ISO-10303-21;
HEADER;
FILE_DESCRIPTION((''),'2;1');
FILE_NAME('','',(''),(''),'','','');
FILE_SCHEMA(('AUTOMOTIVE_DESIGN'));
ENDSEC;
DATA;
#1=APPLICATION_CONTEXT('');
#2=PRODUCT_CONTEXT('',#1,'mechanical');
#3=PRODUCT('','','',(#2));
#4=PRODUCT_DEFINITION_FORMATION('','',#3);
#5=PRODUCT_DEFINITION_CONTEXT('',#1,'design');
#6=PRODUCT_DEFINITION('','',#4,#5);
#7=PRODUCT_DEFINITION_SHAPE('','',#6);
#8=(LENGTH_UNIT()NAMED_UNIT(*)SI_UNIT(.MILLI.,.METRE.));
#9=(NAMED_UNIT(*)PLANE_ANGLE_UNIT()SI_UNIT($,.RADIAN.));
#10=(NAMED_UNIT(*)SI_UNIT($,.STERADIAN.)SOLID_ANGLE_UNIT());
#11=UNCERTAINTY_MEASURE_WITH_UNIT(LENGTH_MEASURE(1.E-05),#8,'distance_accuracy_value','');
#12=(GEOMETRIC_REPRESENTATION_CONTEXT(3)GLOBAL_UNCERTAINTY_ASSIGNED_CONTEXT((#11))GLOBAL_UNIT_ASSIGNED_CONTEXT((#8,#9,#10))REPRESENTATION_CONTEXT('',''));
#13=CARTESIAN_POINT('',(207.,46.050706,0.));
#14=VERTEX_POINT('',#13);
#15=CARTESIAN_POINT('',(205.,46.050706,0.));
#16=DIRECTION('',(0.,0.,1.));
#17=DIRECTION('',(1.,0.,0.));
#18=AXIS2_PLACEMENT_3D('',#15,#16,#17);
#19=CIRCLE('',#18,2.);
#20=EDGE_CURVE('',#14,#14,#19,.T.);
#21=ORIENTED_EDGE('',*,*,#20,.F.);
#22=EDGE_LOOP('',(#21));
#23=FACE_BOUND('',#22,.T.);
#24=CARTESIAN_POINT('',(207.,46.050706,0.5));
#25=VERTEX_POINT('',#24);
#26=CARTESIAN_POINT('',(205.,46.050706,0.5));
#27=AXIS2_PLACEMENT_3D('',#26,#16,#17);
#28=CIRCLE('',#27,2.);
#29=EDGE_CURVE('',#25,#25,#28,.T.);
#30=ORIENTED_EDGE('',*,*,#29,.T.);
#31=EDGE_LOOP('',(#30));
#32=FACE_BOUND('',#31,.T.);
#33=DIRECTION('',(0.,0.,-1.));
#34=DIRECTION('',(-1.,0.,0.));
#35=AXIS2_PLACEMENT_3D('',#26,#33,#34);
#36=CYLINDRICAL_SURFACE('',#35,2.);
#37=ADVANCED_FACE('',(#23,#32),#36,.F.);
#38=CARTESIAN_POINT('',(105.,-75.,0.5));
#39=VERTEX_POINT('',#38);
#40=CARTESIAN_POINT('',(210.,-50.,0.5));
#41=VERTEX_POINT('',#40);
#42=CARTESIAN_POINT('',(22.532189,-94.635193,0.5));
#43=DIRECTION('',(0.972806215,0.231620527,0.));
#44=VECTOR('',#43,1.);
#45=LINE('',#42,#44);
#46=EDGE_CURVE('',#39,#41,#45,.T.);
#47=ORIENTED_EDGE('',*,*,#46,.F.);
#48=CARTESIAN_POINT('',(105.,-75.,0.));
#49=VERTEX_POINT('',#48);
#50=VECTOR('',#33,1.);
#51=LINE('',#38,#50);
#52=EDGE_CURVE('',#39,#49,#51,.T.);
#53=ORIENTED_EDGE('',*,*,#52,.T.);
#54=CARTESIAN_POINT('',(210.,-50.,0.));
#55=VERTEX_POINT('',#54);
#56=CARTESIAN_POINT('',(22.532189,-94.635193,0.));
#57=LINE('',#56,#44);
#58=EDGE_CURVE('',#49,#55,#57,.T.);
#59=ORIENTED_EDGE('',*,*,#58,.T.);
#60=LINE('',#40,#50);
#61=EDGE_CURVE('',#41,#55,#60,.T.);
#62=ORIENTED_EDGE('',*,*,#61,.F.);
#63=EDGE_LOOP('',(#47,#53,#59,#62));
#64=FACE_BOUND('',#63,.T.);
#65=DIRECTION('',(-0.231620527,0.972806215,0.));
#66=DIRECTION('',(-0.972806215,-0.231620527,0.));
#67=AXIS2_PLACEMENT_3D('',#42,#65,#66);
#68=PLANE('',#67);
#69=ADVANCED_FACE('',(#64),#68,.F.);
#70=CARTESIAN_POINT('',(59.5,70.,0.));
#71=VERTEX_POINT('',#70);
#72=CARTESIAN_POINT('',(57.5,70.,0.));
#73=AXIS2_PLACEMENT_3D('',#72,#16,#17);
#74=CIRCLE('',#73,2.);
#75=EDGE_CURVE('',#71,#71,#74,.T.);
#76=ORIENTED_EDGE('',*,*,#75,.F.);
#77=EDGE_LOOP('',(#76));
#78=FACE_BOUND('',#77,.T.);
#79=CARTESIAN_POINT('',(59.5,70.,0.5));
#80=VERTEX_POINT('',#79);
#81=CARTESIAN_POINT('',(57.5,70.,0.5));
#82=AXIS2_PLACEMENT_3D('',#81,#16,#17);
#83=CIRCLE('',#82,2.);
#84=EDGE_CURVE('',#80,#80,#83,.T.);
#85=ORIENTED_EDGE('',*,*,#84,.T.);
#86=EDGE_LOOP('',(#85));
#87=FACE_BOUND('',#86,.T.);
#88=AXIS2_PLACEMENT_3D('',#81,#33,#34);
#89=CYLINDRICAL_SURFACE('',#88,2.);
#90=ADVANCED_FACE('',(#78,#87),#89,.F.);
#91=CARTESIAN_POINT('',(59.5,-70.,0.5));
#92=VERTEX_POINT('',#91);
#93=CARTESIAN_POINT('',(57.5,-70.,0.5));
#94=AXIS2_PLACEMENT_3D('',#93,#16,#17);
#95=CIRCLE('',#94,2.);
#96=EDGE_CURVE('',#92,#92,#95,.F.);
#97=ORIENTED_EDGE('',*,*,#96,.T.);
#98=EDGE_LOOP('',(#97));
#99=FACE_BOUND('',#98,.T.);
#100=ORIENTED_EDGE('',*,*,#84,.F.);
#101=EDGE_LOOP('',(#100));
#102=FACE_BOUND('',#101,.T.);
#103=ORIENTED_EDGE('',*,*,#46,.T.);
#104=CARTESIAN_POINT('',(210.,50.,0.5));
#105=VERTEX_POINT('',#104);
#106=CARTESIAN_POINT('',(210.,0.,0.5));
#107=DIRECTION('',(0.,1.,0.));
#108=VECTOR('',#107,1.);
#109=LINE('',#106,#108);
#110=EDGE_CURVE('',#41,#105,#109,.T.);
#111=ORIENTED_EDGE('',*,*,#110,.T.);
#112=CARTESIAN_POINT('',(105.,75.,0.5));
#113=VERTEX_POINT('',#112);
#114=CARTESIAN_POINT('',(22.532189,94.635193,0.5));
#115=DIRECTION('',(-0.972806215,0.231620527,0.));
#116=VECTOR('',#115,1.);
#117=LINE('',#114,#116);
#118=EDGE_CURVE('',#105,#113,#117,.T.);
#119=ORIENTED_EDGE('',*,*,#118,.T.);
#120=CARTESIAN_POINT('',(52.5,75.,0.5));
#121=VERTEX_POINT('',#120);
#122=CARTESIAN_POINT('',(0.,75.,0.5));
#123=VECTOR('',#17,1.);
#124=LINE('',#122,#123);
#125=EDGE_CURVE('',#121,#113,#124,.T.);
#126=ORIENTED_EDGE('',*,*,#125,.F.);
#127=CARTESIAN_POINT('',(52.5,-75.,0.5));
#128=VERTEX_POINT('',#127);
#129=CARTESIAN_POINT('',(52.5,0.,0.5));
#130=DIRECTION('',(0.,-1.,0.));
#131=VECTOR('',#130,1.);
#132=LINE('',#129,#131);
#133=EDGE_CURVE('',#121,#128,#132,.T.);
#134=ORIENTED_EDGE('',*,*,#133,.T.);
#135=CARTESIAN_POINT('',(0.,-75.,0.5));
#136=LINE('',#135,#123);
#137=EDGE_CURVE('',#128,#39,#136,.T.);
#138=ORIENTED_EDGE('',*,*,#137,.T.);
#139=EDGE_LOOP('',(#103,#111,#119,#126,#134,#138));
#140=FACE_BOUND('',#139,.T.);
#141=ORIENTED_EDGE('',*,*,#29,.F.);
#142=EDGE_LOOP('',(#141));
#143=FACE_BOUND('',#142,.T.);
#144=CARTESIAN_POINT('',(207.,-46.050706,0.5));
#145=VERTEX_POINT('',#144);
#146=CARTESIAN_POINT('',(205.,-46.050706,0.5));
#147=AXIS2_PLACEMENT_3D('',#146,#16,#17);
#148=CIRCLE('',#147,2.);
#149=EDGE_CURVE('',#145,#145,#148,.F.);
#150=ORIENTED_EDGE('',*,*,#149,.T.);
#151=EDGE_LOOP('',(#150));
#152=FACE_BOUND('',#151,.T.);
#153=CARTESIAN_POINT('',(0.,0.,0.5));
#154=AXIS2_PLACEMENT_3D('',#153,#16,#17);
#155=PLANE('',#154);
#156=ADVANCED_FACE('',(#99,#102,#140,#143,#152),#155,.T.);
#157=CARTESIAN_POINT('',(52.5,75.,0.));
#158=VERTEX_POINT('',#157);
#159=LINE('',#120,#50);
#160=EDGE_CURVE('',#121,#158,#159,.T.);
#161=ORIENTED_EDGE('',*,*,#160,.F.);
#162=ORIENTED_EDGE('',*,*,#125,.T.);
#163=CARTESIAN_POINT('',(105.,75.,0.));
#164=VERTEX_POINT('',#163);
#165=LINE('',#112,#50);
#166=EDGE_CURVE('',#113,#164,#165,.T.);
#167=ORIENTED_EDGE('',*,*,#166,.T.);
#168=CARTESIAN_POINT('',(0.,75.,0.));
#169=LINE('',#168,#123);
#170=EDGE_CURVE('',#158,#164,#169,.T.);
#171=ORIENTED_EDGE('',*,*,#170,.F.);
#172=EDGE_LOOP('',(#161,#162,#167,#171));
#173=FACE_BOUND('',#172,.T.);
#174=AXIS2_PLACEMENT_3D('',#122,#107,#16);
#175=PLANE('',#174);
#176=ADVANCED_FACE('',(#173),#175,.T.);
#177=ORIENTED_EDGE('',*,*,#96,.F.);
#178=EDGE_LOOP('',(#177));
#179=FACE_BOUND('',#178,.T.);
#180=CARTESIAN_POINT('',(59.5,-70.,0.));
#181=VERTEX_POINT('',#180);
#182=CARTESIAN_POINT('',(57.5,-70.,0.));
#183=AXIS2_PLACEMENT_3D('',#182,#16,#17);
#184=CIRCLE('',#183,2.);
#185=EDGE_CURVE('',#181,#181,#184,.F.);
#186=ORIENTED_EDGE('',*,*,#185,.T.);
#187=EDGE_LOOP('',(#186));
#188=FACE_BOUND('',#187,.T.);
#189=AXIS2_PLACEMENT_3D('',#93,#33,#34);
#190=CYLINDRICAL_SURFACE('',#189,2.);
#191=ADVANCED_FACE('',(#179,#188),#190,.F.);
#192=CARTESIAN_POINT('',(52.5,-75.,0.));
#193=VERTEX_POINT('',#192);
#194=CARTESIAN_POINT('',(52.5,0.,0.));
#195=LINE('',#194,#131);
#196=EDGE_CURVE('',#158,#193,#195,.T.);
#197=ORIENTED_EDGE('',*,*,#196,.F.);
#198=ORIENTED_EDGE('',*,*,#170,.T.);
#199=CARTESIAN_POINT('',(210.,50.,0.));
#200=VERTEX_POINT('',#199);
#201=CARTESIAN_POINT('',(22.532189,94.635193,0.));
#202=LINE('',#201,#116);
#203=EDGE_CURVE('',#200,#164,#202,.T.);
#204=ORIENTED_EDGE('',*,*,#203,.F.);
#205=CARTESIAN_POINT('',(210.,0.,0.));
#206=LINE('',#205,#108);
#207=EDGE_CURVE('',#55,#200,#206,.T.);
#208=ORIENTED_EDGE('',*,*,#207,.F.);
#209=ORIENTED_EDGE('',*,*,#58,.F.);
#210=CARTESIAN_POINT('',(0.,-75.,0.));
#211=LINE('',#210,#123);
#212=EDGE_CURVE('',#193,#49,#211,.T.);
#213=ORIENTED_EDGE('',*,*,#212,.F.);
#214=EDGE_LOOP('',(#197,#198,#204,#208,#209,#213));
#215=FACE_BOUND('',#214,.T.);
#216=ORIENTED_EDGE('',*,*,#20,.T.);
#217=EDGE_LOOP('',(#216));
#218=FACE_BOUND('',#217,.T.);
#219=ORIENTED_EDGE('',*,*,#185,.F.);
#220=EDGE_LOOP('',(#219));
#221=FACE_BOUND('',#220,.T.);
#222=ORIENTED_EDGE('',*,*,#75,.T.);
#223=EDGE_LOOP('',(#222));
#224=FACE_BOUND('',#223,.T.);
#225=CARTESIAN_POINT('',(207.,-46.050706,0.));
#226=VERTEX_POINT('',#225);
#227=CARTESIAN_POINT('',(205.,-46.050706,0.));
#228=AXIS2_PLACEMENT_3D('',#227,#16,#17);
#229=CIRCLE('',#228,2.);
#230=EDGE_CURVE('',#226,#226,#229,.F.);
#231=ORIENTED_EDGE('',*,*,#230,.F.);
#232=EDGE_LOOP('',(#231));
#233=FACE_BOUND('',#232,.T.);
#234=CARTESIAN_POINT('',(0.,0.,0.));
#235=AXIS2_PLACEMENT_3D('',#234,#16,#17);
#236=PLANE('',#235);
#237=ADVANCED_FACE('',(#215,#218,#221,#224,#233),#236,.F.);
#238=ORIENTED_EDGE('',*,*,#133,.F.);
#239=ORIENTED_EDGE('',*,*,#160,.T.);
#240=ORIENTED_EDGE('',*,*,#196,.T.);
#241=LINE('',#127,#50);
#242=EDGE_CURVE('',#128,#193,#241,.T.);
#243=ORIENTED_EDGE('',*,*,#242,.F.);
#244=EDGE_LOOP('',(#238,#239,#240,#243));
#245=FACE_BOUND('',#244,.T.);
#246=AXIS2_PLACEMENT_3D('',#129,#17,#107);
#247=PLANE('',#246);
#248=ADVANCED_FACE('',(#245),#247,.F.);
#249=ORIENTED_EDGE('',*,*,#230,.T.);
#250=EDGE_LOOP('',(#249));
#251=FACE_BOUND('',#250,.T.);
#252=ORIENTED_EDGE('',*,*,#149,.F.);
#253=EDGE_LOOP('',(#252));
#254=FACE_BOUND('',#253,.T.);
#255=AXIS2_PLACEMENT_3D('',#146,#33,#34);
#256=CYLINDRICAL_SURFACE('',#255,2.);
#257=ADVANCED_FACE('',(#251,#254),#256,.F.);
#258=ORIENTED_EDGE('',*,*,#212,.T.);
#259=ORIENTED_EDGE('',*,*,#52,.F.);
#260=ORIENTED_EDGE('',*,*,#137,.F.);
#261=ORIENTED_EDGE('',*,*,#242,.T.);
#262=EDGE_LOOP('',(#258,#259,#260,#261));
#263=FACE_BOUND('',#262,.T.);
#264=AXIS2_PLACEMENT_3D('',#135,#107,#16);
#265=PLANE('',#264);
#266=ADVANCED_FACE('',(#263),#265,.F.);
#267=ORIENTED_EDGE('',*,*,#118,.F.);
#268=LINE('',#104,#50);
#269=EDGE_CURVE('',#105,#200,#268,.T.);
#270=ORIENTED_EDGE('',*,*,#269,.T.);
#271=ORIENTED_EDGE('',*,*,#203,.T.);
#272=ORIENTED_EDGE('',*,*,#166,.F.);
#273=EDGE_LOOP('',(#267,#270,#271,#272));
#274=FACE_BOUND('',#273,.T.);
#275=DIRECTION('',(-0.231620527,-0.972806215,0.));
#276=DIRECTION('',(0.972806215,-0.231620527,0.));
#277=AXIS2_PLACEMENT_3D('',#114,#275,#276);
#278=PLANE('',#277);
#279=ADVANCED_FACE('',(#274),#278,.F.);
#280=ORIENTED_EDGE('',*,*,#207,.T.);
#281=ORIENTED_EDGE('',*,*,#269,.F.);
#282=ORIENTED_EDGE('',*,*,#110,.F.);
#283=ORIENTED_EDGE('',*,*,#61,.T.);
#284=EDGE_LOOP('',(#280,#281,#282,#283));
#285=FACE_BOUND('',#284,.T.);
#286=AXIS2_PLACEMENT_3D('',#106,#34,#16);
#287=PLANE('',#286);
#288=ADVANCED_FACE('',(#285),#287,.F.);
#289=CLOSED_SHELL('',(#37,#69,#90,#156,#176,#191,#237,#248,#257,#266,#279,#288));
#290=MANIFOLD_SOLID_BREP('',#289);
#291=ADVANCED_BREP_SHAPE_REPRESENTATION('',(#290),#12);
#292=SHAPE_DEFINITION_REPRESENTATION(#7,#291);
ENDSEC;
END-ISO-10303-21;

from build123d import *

# Parameters (mm, degrees)
ESBO_O1_R                = 2
RESSALTO_EXTRUS_O1_DEPTH = 0.5


with BuildPart() as part:
    # Esboço1 → Ressalto-extrusão1 (new body)
    # profile 1 of 2: a face of its own
    with BuildSketch(Plane.XY):
        Polygon((210, -50), (210, 0), (52.5, 0), (52.5, -75), (105, -75), align=None)
        with Locations((57.5, -70)):
            Circle(ESBO_O1_R, mode=Mode.SUBTRACT)
        with Locations((205, -46.050706394)):
            Circle(ESBO_O1_R, mode=Mode.SUBTRACT)
    # profile 2 of 2: a face of its own
    with BuildSketch(Plane.XY):
        Polygon((210, 0), (210, 50), (105, 75), (52.5, 75), (52.5, 0), align=None)
        with Locations((57.5, 70)):
            Circle(ESBO_O1_R, mode=Mode.SUBTRACT)
        with Locations((205, 46.050706394)):
            Circle(ESBO_O1_R, mode=Mode.SUBTRACT)
    extrude(amount=RESSALTO_EXTRUS_O1_DEPTH)


solid = part.part
